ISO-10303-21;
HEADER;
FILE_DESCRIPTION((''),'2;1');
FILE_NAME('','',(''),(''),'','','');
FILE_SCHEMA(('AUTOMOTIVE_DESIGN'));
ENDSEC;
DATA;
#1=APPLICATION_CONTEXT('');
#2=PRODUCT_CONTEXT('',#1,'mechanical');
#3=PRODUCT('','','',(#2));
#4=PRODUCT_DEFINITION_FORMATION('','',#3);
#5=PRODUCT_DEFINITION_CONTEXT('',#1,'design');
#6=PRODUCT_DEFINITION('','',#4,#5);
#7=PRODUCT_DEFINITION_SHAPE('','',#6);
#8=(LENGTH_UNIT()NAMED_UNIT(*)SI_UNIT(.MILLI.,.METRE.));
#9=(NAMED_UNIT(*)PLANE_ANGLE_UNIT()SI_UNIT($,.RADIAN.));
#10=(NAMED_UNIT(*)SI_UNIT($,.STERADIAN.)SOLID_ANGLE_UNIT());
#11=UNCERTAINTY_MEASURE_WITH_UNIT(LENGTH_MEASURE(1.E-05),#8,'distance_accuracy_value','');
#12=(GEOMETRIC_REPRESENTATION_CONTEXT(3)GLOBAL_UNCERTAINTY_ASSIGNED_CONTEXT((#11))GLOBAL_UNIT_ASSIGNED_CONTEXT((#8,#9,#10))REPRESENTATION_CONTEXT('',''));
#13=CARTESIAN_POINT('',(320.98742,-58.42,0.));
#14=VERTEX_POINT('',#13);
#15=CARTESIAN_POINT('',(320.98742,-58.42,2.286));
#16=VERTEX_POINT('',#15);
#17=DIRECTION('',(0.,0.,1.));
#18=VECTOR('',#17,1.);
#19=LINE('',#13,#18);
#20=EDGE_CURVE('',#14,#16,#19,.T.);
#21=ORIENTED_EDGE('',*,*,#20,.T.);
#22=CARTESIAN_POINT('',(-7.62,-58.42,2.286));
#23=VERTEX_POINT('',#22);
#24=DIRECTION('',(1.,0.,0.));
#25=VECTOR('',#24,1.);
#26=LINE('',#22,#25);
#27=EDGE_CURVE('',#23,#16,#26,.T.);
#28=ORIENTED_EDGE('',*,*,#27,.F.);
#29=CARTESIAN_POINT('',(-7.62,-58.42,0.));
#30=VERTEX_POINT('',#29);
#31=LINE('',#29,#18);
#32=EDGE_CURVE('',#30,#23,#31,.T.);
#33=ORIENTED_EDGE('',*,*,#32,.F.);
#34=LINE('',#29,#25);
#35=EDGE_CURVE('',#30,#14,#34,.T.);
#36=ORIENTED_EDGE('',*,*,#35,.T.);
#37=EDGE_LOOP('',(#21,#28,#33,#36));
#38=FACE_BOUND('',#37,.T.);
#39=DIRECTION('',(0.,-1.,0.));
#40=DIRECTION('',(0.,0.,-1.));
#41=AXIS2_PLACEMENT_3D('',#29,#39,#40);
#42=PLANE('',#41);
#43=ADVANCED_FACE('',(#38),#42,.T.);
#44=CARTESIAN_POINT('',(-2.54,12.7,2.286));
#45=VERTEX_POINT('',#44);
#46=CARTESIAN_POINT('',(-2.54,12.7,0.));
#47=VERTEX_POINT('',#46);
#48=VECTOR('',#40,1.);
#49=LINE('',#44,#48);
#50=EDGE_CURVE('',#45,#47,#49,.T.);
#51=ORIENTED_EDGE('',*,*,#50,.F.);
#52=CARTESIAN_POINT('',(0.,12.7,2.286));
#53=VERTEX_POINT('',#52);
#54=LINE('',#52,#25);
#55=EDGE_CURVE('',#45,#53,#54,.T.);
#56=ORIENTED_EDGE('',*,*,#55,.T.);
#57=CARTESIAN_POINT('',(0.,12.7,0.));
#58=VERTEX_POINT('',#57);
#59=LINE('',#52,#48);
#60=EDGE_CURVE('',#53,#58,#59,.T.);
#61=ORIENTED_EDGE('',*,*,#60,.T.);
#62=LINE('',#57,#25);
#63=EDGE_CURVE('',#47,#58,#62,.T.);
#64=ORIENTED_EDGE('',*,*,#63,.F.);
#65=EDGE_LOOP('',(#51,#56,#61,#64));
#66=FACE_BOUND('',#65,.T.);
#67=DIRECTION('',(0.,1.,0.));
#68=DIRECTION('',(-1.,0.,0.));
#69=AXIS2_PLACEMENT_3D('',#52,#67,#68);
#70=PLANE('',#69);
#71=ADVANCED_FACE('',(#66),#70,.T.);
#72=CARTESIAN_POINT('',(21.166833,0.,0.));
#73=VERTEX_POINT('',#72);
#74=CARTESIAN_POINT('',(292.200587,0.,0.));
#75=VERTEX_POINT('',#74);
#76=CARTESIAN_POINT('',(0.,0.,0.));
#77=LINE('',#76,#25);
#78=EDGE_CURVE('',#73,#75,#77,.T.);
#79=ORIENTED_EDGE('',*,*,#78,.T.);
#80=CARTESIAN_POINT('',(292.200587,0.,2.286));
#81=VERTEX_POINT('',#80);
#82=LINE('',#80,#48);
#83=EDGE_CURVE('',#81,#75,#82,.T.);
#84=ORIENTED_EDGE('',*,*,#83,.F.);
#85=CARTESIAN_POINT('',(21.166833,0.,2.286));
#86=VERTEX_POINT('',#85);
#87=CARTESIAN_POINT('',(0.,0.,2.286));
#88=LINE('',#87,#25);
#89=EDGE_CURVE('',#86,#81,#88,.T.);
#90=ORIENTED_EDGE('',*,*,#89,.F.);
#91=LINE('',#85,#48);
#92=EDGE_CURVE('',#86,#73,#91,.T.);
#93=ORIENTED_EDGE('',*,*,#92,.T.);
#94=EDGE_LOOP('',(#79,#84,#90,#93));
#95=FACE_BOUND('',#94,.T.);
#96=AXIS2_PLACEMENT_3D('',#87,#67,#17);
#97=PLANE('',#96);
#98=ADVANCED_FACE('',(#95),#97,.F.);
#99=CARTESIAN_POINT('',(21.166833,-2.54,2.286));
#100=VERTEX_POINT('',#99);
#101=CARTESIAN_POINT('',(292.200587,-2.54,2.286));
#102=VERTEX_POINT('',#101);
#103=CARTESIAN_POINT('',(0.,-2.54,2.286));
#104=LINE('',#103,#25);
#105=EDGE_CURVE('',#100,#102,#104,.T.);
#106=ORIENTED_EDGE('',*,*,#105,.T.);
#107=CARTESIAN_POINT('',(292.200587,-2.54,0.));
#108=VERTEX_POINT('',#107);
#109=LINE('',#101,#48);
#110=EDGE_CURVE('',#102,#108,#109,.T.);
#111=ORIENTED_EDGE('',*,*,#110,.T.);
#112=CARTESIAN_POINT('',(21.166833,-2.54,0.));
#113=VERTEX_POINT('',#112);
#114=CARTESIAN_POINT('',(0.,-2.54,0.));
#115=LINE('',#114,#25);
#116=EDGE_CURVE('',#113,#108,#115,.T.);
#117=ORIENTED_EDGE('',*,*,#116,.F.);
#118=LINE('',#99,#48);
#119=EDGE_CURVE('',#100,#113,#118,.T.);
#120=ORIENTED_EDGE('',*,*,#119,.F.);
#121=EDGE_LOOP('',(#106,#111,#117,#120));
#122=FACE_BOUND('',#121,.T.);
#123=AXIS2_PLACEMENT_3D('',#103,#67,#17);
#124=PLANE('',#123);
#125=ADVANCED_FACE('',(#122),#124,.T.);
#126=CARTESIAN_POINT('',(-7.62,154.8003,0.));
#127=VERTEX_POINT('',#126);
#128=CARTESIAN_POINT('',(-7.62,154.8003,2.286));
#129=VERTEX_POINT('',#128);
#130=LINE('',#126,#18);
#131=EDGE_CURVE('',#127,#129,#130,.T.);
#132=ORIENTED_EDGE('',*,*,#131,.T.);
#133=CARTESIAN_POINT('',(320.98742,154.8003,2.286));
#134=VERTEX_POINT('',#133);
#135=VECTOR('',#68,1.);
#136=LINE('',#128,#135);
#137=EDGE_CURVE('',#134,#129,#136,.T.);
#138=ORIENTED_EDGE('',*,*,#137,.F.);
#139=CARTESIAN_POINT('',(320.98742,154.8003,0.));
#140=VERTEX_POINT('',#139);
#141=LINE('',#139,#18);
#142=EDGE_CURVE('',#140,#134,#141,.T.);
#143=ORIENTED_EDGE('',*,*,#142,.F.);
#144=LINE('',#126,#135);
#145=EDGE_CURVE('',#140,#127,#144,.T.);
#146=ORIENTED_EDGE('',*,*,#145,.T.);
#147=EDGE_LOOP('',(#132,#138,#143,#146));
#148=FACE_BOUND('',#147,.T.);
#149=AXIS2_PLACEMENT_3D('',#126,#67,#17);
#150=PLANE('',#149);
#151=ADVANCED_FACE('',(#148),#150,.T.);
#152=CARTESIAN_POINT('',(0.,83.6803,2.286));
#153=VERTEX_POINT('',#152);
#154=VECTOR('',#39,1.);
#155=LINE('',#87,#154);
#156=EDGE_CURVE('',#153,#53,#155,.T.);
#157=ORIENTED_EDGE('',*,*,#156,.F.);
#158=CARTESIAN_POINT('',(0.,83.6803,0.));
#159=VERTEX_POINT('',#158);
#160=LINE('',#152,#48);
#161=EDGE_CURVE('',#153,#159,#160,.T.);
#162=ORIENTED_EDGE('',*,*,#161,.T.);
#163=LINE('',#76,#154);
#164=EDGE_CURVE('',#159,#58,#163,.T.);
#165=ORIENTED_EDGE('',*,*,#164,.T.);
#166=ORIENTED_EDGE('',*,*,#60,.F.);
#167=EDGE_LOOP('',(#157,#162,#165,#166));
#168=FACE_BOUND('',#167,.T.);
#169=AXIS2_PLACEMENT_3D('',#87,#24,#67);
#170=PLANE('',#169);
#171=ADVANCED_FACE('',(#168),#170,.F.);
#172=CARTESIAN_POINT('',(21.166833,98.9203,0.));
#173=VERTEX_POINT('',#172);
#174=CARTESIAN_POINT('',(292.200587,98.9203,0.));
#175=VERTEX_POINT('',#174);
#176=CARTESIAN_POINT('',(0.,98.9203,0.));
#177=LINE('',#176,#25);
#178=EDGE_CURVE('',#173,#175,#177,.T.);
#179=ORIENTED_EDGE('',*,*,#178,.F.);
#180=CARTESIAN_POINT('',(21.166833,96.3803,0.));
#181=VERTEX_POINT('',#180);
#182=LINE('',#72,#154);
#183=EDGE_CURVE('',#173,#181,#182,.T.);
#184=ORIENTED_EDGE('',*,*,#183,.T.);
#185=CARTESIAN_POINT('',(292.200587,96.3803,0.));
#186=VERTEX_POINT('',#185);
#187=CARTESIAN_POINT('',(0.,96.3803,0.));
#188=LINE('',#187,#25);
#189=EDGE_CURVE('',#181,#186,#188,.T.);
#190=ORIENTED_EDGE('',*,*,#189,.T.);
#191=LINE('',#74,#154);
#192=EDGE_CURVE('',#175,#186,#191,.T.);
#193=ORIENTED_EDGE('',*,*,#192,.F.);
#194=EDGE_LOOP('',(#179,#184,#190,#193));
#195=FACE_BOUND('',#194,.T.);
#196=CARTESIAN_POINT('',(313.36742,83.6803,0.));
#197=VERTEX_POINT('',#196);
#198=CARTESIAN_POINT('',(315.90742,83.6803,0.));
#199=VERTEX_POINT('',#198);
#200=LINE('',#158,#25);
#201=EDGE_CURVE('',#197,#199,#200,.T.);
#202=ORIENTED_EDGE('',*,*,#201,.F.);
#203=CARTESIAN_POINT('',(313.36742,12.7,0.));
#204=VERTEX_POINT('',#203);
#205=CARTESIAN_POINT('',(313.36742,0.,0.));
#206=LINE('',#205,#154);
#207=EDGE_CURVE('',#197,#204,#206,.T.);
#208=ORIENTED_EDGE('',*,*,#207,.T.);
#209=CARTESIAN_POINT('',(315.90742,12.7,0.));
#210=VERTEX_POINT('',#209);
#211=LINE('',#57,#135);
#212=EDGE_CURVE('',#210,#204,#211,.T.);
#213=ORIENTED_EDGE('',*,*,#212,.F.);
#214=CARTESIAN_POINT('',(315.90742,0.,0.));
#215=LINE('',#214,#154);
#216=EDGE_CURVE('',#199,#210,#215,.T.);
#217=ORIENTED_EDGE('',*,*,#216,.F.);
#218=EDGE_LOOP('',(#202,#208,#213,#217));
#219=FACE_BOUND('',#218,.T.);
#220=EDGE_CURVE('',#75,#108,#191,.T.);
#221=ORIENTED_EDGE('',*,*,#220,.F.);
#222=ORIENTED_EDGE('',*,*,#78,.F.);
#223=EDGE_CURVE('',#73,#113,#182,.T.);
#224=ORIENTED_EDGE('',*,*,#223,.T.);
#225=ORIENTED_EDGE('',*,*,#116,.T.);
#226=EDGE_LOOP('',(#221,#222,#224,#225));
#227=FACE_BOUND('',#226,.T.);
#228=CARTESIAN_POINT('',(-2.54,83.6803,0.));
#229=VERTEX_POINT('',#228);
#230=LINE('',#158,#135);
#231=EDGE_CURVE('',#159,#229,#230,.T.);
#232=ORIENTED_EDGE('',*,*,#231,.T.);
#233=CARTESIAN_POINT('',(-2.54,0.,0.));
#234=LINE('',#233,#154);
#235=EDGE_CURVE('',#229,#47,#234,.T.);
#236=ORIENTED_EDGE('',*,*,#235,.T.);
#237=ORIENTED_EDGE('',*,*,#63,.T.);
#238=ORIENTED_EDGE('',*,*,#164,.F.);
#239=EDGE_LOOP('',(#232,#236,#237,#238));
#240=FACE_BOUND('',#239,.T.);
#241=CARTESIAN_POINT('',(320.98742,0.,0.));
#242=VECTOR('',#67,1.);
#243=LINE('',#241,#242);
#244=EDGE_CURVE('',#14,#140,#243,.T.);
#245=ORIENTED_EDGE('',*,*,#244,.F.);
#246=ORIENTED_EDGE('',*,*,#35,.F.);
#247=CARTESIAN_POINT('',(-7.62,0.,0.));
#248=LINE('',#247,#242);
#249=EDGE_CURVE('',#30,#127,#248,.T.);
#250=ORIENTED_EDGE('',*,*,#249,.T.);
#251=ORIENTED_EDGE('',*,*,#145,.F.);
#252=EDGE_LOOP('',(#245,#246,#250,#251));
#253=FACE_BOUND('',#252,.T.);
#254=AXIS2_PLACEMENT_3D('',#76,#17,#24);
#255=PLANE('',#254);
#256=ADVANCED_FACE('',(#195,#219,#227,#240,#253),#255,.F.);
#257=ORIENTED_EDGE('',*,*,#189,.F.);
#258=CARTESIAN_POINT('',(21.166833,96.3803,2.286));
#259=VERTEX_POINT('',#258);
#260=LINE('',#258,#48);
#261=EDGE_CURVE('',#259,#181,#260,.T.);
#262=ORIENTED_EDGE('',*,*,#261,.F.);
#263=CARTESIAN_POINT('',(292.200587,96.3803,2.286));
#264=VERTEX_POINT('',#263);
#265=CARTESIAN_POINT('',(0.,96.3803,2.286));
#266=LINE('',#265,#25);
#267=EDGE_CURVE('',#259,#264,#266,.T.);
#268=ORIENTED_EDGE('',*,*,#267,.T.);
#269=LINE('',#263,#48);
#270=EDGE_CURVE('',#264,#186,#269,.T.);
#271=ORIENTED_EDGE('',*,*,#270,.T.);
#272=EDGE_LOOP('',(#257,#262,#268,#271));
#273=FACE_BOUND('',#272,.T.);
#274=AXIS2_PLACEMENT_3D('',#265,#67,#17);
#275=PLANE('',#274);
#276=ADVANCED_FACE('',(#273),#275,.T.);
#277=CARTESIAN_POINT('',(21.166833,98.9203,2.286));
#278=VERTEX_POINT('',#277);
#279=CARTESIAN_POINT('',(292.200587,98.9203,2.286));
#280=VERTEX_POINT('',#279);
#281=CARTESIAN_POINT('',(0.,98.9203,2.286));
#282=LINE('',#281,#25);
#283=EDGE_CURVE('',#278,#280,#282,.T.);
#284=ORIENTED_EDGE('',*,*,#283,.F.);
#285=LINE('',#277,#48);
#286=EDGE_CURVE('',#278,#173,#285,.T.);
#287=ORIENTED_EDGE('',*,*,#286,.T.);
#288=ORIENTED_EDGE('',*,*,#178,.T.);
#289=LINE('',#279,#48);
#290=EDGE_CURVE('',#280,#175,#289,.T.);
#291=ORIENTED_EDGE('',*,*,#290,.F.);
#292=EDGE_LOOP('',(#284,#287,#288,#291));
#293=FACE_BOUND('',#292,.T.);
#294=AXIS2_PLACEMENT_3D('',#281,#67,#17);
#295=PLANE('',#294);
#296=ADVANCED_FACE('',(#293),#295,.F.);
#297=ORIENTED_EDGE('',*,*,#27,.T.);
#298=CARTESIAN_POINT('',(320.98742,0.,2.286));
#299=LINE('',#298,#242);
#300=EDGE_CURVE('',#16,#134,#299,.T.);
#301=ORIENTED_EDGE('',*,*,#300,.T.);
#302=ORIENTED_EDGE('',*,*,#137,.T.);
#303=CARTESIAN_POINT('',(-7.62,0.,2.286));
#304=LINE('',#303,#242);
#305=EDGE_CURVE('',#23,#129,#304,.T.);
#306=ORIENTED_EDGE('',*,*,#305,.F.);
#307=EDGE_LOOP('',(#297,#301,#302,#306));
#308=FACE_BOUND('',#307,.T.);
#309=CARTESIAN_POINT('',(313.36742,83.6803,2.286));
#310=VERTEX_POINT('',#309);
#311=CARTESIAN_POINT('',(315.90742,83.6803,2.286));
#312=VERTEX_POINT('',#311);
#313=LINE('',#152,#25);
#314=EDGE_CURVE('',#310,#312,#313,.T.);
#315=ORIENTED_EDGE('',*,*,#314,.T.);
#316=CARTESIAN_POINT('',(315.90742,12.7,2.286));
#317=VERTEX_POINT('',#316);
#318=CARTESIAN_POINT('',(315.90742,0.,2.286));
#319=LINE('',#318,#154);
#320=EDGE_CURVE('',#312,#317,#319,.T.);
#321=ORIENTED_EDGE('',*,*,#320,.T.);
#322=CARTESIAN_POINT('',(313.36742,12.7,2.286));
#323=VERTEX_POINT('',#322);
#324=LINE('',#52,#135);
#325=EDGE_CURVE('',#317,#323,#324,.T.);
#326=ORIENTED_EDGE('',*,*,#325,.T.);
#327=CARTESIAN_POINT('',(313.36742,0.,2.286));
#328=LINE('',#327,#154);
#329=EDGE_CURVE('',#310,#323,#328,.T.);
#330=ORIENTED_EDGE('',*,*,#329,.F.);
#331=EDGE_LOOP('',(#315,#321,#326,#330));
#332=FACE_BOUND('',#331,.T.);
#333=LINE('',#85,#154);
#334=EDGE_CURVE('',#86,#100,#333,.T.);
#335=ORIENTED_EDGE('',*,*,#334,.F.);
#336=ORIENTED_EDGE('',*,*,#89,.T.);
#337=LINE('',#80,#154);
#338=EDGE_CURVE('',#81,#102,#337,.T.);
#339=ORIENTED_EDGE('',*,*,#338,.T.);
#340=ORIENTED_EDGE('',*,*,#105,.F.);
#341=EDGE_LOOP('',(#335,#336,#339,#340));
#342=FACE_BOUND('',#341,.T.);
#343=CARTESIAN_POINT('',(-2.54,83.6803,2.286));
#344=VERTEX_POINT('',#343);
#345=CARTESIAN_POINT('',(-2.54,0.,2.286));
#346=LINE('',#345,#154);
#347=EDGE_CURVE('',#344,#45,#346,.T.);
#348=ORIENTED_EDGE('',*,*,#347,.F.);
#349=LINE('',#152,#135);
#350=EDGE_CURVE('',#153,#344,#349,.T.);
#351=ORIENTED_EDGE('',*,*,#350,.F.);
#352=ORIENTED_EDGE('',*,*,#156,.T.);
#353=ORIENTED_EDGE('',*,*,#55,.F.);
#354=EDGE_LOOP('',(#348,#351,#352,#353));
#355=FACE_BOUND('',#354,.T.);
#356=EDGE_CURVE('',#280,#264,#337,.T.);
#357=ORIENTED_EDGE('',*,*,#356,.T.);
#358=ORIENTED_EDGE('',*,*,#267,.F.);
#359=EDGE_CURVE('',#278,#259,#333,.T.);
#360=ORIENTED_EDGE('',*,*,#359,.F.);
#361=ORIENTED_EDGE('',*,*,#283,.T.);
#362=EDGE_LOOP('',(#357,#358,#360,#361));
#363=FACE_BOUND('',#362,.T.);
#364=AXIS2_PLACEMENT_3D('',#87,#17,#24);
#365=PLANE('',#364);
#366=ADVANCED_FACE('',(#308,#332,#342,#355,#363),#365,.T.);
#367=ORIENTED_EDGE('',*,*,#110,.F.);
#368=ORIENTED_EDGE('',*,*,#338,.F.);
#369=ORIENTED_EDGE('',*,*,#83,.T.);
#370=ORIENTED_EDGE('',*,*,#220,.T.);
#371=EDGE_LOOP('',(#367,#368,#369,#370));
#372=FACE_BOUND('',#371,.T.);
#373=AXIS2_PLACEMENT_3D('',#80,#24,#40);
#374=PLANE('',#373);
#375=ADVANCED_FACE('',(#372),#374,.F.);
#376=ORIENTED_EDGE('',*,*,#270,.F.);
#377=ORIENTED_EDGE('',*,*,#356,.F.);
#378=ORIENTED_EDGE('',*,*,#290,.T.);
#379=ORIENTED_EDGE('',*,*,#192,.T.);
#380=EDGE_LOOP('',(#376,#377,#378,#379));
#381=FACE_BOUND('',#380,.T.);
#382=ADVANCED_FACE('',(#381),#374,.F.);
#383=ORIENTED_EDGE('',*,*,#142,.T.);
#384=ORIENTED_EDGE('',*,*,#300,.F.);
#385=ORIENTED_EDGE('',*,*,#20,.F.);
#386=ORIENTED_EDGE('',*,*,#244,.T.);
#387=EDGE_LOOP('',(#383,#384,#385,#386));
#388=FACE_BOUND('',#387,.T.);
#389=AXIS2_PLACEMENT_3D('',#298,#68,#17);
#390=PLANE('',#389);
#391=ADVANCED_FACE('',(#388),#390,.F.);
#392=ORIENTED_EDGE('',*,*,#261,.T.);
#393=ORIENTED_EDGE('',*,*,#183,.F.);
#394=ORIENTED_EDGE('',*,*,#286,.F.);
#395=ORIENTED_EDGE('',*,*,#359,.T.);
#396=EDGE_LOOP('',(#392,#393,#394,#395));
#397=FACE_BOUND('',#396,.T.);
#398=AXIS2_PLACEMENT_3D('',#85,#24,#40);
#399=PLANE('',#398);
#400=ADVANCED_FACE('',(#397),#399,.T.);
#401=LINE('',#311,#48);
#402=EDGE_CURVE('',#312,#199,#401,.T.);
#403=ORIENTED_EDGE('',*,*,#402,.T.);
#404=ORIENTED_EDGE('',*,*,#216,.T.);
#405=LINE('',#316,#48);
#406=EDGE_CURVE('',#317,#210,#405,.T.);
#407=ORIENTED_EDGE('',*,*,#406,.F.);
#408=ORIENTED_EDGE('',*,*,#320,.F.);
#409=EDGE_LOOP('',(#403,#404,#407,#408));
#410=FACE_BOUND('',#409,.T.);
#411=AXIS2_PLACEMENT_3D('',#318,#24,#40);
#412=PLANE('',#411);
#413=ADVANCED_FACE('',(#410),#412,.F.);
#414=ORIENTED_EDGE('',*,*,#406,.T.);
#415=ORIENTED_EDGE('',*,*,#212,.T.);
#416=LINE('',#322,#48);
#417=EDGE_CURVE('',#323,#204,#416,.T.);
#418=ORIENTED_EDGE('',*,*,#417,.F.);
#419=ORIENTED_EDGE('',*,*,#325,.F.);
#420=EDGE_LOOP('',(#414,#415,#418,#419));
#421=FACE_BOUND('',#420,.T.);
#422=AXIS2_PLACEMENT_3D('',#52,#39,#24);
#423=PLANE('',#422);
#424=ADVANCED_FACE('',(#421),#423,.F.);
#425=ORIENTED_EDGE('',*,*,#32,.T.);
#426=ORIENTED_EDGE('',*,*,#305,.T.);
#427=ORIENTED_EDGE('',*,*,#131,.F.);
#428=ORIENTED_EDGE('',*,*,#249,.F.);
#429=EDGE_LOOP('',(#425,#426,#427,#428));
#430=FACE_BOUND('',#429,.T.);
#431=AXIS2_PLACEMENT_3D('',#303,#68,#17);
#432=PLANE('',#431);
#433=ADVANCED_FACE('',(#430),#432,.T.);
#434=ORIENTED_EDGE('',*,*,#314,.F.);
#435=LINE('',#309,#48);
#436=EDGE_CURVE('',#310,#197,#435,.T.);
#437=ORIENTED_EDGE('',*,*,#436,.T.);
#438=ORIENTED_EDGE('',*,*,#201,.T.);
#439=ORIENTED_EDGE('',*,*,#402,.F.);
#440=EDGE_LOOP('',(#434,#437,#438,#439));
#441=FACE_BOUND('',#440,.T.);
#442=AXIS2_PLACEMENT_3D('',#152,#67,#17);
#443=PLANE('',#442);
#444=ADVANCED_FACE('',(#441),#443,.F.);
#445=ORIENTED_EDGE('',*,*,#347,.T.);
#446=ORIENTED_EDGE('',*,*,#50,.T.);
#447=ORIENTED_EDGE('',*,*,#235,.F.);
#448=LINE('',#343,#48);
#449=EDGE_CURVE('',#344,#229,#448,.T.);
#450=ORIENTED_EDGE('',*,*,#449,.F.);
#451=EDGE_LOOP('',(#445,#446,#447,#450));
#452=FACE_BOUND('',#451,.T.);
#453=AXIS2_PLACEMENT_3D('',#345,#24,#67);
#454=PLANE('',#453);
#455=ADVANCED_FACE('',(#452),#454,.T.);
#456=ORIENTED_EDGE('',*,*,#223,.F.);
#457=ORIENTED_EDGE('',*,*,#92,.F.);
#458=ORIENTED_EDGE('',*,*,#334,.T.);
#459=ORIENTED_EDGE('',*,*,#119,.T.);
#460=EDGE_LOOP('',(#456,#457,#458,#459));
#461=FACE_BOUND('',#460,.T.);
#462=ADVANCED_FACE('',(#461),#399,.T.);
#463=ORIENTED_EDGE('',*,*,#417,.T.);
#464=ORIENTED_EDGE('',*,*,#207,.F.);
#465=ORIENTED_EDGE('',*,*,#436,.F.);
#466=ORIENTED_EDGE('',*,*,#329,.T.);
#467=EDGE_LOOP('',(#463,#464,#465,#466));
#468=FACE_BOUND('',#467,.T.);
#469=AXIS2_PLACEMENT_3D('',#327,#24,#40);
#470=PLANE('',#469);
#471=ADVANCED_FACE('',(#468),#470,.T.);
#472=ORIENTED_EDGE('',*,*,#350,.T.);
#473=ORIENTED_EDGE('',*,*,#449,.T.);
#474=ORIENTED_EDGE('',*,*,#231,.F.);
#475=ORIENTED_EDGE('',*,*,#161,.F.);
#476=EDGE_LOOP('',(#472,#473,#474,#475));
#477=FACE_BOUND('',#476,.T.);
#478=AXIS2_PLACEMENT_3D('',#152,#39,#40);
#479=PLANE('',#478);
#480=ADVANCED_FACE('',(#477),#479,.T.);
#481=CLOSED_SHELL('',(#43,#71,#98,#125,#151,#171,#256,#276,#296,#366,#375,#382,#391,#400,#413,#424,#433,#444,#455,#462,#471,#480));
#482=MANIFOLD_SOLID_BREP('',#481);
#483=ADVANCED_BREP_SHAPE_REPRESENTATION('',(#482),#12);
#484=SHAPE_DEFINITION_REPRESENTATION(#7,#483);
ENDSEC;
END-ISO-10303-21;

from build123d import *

# Parameters (mm, degrees)
SKETCH1_W           = 328.60742
SKETCH1_H           = 111.6203
SKETCH1_W_2         = 271.033754468
SKETCH1_H_2         = 2.54
SKETCH1_W_3         = 2.54
SKETCH1_H_3         = 70.9803
BOSS_EXTRUDE1_DEPTH = 2.286
SKETCH2_W           = 328.60742
SKETCH2_H           = 50.8
BOSS_EXTRUDE2_DEPTH = 2.286


with BuildPart() as part:
    # Sketch1 → Boss-Extrude1 (new body)
    with BuildSketch(Plane.XY):
        with Locations((156.68371, 48.19015)):
            Rectangle(SKETCH1_W, SKETCH1_H)
        with Locations((156.68371, 97.6503)):
            Rectangle(SKETCH1_W_2, SKETCH1_H_2, mode=Mode.SUBTRACT)
        with Locations((-1.27, 48.19015)):
            Rectangle(SKETCH1_W_3, SKETCH1_H_3, mode=Mode.SUBTRACT)
        with Locations((314.63742, 48.19015)):
            Rectangle(SKETCH1_W_3, SKETCH1_H_3, mode=Mode.SUBTRACT)
        with Locations((156.68371, -1.27)):
            Rectangle(SKETCH1_W_2, SKETCH1_H_2, mode=Mode.SUBTRACT)
    extrude(amount=BOSS_EXTRUDE1_DEPTH)

    # Sketch2 → Boss-Extrude2 (add, through all)
    with BuildSketch(Plane.XY.offset(2.286)):
        with Locations((156.68371, 129.4003)):
            Rectangle(SKETCH2_W, SKETCH2_H)
        with Locations((156.68371, -33.02)):
            Rectangle(SKETCH2_W, SKETCH2_H)
    extrude(amount=-BOSS_EXTRUDE2_DEPTH)


solid = part.part
